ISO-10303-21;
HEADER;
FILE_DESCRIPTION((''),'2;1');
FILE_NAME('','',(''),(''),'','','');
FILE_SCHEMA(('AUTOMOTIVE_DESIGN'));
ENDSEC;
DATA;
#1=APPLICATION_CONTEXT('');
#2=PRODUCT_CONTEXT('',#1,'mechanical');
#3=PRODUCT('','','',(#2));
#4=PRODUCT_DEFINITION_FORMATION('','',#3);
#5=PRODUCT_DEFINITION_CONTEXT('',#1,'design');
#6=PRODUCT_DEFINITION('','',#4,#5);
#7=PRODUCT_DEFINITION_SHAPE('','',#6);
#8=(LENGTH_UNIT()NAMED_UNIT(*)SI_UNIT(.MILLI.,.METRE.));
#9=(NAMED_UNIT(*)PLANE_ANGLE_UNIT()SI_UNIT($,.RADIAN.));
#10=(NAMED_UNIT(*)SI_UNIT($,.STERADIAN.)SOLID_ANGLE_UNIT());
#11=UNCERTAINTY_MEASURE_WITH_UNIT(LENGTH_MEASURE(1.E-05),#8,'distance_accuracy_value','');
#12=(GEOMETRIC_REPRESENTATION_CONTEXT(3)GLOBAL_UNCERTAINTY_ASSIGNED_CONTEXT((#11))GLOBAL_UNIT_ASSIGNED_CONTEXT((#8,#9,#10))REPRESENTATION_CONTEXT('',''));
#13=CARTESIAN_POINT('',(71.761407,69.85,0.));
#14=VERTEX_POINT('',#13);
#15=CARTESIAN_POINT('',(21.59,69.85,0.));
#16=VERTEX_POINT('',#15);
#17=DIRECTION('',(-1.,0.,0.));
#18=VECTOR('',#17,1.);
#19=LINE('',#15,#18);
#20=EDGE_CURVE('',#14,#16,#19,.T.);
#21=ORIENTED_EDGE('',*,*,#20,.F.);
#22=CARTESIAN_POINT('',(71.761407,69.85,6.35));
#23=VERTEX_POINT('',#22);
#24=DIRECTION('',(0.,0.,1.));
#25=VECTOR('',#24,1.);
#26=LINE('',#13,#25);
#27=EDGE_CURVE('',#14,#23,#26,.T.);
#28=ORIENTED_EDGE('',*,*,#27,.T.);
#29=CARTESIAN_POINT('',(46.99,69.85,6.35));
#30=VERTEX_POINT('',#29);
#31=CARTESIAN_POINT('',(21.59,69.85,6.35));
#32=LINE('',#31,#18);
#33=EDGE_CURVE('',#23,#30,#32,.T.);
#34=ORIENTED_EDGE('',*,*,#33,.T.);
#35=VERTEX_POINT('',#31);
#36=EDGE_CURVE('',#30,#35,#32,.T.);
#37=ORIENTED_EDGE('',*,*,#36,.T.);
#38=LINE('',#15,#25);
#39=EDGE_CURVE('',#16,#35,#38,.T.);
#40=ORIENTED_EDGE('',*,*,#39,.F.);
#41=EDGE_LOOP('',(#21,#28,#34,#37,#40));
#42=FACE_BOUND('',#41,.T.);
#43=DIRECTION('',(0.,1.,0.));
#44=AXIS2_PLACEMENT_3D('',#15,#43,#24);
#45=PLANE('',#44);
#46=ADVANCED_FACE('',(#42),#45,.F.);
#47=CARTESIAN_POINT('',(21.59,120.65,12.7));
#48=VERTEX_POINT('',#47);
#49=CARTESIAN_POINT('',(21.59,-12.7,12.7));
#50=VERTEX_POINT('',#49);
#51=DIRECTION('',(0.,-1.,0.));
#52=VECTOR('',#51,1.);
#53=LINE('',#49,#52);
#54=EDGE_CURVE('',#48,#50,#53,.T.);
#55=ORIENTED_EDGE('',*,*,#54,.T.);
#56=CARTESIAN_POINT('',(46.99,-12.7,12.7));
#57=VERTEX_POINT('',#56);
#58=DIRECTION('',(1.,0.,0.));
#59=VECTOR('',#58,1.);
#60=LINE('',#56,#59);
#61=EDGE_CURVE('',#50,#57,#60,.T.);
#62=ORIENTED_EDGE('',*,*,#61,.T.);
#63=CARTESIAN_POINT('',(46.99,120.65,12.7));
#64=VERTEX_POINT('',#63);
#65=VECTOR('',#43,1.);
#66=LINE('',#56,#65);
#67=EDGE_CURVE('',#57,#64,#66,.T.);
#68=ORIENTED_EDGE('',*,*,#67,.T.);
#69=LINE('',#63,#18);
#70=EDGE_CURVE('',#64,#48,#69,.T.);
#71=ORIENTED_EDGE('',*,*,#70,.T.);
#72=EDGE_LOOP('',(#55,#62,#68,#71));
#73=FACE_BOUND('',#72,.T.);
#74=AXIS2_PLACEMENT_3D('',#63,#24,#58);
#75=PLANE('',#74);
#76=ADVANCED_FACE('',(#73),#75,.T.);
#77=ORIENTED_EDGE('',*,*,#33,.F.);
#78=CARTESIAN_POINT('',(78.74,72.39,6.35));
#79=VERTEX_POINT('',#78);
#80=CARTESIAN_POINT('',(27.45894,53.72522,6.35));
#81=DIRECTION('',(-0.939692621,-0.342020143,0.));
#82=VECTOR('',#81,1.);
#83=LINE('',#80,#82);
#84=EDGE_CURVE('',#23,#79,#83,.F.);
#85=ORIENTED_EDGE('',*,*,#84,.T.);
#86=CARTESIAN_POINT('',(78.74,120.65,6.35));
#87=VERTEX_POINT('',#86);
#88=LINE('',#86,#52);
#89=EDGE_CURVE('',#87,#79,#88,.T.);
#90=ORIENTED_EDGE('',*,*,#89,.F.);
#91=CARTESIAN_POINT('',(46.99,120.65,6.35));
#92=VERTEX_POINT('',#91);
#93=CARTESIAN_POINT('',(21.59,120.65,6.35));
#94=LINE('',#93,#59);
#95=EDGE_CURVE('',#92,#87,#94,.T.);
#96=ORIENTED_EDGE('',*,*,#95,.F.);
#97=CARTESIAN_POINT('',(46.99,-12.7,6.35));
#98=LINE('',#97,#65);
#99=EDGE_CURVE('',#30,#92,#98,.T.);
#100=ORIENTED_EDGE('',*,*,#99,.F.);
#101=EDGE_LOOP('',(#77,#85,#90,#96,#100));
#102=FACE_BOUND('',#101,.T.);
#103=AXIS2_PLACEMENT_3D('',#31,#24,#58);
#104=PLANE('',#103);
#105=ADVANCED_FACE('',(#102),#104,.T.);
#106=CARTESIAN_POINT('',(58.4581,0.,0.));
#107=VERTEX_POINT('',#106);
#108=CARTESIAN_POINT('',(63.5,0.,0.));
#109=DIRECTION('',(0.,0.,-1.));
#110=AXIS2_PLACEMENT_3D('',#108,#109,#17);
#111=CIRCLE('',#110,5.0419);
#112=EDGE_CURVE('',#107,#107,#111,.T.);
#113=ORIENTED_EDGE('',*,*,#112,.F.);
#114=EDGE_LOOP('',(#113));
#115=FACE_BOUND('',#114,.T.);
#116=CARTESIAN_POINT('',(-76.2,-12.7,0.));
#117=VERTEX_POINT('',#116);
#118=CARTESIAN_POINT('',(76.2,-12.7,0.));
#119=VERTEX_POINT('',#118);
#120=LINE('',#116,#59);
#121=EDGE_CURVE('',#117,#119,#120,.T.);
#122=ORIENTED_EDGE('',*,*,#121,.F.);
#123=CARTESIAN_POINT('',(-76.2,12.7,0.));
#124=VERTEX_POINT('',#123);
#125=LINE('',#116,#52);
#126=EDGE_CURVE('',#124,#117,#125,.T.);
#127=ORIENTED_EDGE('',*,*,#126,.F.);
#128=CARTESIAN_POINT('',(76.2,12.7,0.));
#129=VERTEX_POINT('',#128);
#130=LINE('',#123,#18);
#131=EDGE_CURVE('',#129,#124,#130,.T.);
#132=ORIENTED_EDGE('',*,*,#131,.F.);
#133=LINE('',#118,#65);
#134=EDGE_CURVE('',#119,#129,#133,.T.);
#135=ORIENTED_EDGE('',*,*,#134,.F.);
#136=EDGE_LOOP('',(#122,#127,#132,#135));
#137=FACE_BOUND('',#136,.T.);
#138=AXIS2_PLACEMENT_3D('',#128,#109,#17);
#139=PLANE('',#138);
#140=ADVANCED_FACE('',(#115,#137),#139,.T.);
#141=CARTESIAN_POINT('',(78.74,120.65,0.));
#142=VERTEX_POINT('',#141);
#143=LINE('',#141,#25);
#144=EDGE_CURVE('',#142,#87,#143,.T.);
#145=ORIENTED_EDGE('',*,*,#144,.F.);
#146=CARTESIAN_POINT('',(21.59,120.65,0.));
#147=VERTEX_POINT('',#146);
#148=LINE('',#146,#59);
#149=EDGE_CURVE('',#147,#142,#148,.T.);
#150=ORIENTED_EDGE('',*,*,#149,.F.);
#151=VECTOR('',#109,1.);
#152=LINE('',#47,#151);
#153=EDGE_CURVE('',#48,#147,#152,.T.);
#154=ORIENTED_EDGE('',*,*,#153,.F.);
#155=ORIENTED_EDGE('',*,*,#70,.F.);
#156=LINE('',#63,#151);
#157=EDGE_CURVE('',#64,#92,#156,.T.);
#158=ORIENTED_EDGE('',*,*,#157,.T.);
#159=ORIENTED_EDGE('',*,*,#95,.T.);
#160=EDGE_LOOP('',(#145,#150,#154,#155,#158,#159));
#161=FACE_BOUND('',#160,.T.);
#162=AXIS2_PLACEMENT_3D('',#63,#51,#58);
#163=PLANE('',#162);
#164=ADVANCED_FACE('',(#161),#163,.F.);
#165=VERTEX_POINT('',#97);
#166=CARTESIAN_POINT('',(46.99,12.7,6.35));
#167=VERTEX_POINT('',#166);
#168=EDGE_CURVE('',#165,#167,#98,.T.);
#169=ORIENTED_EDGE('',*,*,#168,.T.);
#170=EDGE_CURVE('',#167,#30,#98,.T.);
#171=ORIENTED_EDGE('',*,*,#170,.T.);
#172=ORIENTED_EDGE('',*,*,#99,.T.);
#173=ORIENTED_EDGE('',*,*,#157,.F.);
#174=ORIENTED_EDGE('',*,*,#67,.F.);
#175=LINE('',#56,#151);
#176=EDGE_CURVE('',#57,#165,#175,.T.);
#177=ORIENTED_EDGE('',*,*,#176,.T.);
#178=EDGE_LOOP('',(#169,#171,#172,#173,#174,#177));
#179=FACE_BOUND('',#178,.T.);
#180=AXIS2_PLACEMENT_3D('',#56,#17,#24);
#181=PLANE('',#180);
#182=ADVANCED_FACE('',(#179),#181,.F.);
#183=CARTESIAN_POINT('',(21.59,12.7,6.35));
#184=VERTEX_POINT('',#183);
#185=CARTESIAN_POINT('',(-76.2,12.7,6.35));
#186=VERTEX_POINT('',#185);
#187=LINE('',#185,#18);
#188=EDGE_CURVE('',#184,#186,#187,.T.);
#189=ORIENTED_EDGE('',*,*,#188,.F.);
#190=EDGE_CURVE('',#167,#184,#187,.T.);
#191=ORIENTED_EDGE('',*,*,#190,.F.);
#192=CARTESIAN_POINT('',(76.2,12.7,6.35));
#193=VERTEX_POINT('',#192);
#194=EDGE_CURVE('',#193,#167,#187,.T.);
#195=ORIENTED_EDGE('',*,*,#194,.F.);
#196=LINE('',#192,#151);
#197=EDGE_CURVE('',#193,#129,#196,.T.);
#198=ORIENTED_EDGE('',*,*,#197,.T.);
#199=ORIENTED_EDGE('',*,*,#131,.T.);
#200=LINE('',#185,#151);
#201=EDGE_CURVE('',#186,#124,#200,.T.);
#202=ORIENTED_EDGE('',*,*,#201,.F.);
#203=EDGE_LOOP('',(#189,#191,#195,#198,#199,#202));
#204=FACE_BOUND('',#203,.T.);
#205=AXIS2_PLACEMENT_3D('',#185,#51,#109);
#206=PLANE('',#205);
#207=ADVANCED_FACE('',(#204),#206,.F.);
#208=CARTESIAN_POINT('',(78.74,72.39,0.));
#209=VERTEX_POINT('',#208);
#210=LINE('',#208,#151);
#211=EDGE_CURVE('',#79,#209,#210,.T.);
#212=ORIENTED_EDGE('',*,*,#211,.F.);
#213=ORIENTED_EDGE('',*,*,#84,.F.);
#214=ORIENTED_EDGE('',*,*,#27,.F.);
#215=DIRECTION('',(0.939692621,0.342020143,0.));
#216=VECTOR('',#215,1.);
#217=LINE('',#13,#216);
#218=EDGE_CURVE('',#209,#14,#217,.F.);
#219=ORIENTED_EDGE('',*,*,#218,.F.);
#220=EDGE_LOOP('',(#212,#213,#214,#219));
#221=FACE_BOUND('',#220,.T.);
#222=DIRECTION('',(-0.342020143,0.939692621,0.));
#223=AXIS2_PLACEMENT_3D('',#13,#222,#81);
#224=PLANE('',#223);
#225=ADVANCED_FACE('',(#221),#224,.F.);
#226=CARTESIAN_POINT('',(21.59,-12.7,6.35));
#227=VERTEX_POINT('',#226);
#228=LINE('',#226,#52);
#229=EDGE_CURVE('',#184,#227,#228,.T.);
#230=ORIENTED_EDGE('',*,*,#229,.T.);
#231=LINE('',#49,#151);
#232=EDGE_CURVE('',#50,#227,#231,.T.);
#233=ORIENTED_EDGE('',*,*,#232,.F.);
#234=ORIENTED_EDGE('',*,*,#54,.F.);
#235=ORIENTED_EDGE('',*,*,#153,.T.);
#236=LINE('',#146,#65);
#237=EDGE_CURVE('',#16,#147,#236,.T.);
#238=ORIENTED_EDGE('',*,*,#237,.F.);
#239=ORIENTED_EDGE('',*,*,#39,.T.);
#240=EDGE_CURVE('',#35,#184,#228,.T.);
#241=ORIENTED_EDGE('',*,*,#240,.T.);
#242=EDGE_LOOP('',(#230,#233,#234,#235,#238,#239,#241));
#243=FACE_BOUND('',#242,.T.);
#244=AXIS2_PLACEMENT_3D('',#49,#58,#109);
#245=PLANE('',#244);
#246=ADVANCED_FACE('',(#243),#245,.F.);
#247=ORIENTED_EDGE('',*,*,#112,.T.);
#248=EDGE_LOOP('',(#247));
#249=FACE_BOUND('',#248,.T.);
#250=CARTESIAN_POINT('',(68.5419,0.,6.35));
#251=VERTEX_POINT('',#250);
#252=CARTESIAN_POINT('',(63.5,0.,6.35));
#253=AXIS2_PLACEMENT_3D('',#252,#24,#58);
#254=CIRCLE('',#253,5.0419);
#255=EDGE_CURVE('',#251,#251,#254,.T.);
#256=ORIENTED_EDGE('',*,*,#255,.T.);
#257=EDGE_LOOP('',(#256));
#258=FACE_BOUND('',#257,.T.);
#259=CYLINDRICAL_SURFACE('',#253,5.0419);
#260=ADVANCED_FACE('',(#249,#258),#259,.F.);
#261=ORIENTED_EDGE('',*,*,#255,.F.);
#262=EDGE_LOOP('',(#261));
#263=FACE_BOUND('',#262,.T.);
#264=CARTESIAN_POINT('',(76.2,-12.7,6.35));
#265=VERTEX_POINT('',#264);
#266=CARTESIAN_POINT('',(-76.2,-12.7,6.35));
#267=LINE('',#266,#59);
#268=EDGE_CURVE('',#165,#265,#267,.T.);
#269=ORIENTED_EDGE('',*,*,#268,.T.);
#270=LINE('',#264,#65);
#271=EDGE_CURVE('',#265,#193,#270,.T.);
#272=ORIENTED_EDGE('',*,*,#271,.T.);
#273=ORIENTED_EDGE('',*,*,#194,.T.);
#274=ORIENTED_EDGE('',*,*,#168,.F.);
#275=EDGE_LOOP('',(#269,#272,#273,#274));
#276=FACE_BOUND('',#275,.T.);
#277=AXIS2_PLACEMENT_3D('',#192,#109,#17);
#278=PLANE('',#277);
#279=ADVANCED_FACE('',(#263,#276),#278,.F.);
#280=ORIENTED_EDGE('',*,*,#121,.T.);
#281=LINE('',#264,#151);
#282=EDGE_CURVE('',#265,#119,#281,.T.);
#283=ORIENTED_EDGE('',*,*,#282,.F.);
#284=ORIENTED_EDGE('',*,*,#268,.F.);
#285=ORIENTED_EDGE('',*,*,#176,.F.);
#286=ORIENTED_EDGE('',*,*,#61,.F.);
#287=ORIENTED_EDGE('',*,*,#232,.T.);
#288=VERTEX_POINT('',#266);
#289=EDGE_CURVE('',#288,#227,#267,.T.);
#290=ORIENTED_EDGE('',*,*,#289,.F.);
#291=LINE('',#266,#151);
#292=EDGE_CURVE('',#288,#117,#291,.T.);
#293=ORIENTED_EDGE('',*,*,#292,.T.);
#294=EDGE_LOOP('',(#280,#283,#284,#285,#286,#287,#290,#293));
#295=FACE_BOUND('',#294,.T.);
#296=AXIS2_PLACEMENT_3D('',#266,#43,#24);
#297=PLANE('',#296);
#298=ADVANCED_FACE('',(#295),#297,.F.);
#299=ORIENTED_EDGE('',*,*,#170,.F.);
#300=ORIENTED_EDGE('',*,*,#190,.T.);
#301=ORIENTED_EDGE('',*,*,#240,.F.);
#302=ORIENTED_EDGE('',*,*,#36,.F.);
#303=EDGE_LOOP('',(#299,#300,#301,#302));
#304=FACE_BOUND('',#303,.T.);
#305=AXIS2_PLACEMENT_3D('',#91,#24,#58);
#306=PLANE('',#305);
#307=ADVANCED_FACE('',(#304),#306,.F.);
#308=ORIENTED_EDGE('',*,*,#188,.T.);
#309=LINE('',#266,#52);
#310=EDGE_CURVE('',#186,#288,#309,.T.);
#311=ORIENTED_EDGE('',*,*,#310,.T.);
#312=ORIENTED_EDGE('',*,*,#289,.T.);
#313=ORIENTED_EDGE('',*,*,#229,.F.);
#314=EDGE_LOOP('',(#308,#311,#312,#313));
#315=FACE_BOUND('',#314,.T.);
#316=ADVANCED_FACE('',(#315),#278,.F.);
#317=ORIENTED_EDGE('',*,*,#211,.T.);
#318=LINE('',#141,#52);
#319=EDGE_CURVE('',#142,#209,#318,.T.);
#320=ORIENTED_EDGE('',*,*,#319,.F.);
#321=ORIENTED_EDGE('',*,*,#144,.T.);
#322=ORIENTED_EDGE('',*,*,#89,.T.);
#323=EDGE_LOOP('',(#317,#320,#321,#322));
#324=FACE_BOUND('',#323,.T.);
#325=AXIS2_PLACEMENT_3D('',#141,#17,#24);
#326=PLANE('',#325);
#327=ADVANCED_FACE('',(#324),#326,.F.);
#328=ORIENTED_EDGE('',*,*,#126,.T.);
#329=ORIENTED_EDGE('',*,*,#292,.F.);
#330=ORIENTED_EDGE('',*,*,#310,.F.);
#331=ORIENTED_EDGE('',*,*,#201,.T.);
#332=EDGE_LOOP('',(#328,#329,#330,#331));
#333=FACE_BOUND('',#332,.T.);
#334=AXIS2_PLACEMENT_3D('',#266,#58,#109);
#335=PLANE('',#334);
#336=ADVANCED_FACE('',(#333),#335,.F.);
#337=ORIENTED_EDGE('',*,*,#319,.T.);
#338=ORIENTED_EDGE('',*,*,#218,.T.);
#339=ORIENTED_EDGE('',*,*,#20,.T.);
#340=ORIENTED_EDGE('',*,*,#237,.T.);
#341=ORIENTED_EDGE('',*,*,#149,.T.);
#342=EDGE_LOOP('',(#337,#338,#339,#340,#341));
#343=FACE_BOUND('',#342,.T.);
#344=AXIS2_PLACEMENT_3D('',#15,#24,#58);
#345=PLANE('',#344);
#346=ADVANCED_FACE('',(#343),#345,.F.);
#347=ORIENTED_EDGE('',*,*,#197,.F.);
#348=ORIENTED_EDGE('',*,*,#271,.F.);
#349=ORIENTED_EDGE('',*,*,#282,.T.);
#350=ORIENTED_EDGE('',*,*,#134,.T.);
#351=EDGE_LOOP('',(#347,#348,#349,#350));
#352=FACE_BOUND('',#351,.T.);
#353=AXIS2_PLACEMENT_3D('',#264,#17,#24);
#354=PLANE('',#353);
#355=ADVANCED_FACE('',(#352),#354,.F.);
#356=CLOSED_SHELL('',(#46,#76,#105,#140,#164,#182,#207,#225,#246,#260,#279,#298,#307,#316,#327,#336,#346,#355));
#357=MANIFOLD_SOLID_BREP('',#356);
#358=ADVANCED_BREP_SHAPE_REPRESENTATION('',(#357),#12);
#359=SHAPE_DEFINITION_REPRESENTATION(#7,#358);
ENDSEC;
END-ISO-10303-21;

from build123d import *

# Parameters (mm, degrees)
SKETCH1_W                   = 152.4
SKETCH1_H                   = 25.4
EXTRUDE1_DEPTH              = 6.35
SKETCH2_W                   = 25.4
SKETCH2_H                   = 133.35
EXTRUDE2_DEPTH              = 6.35
SKETCH3_W                   = 57.15
SKETCH3_H                   = 50.8
EXTRUDE3_DEPTH              = 6.35
CHAMFER1_SIZE               = 2.54
CHAMFER1_SIZE2              = 6.978592645
F_3_8_CLEARANCE_HOLE1_D     = 10.0838
F_3_8_CLEARANCE_HOLE1_DEPTH = 38.1
F_3_8_CLEARANCE_HOLE1_TIP   = 3.029479155


with BuildPart() as part:
    # Sketch1 → Extrude1 (new body)
    with BuildSketch(Plane.XY):
        Rectangle(SKETCH1_W, SKETCH1_H)
    extrude(amount=EXTRUDE1_DEPTH)

    # Sketch2 → Extrude2 (add)
    with BuildSketch(Plane.XY.offset(6.35)):
        with Locations((34.29, 53.975)):
            Rectangle(SKETCH2_W, SKETCH2_H)
    extrude(amount=EXTRUDE2_DEPTH)

    # Sketch3 → Extrude3 (add)
    with BuildSketch(Plane(origin=(0, 0, 6.35), x_dir=(-1, 0, 0), z_dir=(0, 0, -1))):
        with Locations((-50.165, 95.25)):
            Rectangle(SKETCH3_W, SKETCH3_H)
    extrude(amount=EXTRUDE3_DEPTH)

    # Chamfer1
    chamfer1_edges = [part.edges().sort_by_distance(p)[0] for p in [
        (78.74, 69.85, 3.175),
    ]]
    chamfer1_side = [part.faces().sort_by_distance(p)[0] for p in [
        (78.74, 95.25, 3.175),
    ]]
    chamfer(chamfer1_edges, length=CHAMFER1_SIZE, length2=CHAMFER1_SIZE2, reference=chamfer1_side[0])

    # 3/8 Clearance Hole1
    with Locations(Plane(origin=(63.5, 0, 6.35), x_dir=(1, 0, 0), z_dir=(0, 0, 1))):
        with Locations((0, 0)):
            Hole(F_3_8_CLEARANCE_HOLE1_D / 2, depth=F_3_8_CLEARANCE_HOLE1_DEPTH)
            with Locations((0, 0, -(F_3_8_CLEARANCE_HOLE1_DEPTH + F_3_8_CLEARANCE_HOLE1_TIP / 2))):  # 118° drill point
                Cone(0, F_3_8_CLEARANCE_HOLE1_D / 2, F_3_8_CLEARANCE_HOLE1_TIP, mode=Mode.SUBTRACT)


solid = part.part
